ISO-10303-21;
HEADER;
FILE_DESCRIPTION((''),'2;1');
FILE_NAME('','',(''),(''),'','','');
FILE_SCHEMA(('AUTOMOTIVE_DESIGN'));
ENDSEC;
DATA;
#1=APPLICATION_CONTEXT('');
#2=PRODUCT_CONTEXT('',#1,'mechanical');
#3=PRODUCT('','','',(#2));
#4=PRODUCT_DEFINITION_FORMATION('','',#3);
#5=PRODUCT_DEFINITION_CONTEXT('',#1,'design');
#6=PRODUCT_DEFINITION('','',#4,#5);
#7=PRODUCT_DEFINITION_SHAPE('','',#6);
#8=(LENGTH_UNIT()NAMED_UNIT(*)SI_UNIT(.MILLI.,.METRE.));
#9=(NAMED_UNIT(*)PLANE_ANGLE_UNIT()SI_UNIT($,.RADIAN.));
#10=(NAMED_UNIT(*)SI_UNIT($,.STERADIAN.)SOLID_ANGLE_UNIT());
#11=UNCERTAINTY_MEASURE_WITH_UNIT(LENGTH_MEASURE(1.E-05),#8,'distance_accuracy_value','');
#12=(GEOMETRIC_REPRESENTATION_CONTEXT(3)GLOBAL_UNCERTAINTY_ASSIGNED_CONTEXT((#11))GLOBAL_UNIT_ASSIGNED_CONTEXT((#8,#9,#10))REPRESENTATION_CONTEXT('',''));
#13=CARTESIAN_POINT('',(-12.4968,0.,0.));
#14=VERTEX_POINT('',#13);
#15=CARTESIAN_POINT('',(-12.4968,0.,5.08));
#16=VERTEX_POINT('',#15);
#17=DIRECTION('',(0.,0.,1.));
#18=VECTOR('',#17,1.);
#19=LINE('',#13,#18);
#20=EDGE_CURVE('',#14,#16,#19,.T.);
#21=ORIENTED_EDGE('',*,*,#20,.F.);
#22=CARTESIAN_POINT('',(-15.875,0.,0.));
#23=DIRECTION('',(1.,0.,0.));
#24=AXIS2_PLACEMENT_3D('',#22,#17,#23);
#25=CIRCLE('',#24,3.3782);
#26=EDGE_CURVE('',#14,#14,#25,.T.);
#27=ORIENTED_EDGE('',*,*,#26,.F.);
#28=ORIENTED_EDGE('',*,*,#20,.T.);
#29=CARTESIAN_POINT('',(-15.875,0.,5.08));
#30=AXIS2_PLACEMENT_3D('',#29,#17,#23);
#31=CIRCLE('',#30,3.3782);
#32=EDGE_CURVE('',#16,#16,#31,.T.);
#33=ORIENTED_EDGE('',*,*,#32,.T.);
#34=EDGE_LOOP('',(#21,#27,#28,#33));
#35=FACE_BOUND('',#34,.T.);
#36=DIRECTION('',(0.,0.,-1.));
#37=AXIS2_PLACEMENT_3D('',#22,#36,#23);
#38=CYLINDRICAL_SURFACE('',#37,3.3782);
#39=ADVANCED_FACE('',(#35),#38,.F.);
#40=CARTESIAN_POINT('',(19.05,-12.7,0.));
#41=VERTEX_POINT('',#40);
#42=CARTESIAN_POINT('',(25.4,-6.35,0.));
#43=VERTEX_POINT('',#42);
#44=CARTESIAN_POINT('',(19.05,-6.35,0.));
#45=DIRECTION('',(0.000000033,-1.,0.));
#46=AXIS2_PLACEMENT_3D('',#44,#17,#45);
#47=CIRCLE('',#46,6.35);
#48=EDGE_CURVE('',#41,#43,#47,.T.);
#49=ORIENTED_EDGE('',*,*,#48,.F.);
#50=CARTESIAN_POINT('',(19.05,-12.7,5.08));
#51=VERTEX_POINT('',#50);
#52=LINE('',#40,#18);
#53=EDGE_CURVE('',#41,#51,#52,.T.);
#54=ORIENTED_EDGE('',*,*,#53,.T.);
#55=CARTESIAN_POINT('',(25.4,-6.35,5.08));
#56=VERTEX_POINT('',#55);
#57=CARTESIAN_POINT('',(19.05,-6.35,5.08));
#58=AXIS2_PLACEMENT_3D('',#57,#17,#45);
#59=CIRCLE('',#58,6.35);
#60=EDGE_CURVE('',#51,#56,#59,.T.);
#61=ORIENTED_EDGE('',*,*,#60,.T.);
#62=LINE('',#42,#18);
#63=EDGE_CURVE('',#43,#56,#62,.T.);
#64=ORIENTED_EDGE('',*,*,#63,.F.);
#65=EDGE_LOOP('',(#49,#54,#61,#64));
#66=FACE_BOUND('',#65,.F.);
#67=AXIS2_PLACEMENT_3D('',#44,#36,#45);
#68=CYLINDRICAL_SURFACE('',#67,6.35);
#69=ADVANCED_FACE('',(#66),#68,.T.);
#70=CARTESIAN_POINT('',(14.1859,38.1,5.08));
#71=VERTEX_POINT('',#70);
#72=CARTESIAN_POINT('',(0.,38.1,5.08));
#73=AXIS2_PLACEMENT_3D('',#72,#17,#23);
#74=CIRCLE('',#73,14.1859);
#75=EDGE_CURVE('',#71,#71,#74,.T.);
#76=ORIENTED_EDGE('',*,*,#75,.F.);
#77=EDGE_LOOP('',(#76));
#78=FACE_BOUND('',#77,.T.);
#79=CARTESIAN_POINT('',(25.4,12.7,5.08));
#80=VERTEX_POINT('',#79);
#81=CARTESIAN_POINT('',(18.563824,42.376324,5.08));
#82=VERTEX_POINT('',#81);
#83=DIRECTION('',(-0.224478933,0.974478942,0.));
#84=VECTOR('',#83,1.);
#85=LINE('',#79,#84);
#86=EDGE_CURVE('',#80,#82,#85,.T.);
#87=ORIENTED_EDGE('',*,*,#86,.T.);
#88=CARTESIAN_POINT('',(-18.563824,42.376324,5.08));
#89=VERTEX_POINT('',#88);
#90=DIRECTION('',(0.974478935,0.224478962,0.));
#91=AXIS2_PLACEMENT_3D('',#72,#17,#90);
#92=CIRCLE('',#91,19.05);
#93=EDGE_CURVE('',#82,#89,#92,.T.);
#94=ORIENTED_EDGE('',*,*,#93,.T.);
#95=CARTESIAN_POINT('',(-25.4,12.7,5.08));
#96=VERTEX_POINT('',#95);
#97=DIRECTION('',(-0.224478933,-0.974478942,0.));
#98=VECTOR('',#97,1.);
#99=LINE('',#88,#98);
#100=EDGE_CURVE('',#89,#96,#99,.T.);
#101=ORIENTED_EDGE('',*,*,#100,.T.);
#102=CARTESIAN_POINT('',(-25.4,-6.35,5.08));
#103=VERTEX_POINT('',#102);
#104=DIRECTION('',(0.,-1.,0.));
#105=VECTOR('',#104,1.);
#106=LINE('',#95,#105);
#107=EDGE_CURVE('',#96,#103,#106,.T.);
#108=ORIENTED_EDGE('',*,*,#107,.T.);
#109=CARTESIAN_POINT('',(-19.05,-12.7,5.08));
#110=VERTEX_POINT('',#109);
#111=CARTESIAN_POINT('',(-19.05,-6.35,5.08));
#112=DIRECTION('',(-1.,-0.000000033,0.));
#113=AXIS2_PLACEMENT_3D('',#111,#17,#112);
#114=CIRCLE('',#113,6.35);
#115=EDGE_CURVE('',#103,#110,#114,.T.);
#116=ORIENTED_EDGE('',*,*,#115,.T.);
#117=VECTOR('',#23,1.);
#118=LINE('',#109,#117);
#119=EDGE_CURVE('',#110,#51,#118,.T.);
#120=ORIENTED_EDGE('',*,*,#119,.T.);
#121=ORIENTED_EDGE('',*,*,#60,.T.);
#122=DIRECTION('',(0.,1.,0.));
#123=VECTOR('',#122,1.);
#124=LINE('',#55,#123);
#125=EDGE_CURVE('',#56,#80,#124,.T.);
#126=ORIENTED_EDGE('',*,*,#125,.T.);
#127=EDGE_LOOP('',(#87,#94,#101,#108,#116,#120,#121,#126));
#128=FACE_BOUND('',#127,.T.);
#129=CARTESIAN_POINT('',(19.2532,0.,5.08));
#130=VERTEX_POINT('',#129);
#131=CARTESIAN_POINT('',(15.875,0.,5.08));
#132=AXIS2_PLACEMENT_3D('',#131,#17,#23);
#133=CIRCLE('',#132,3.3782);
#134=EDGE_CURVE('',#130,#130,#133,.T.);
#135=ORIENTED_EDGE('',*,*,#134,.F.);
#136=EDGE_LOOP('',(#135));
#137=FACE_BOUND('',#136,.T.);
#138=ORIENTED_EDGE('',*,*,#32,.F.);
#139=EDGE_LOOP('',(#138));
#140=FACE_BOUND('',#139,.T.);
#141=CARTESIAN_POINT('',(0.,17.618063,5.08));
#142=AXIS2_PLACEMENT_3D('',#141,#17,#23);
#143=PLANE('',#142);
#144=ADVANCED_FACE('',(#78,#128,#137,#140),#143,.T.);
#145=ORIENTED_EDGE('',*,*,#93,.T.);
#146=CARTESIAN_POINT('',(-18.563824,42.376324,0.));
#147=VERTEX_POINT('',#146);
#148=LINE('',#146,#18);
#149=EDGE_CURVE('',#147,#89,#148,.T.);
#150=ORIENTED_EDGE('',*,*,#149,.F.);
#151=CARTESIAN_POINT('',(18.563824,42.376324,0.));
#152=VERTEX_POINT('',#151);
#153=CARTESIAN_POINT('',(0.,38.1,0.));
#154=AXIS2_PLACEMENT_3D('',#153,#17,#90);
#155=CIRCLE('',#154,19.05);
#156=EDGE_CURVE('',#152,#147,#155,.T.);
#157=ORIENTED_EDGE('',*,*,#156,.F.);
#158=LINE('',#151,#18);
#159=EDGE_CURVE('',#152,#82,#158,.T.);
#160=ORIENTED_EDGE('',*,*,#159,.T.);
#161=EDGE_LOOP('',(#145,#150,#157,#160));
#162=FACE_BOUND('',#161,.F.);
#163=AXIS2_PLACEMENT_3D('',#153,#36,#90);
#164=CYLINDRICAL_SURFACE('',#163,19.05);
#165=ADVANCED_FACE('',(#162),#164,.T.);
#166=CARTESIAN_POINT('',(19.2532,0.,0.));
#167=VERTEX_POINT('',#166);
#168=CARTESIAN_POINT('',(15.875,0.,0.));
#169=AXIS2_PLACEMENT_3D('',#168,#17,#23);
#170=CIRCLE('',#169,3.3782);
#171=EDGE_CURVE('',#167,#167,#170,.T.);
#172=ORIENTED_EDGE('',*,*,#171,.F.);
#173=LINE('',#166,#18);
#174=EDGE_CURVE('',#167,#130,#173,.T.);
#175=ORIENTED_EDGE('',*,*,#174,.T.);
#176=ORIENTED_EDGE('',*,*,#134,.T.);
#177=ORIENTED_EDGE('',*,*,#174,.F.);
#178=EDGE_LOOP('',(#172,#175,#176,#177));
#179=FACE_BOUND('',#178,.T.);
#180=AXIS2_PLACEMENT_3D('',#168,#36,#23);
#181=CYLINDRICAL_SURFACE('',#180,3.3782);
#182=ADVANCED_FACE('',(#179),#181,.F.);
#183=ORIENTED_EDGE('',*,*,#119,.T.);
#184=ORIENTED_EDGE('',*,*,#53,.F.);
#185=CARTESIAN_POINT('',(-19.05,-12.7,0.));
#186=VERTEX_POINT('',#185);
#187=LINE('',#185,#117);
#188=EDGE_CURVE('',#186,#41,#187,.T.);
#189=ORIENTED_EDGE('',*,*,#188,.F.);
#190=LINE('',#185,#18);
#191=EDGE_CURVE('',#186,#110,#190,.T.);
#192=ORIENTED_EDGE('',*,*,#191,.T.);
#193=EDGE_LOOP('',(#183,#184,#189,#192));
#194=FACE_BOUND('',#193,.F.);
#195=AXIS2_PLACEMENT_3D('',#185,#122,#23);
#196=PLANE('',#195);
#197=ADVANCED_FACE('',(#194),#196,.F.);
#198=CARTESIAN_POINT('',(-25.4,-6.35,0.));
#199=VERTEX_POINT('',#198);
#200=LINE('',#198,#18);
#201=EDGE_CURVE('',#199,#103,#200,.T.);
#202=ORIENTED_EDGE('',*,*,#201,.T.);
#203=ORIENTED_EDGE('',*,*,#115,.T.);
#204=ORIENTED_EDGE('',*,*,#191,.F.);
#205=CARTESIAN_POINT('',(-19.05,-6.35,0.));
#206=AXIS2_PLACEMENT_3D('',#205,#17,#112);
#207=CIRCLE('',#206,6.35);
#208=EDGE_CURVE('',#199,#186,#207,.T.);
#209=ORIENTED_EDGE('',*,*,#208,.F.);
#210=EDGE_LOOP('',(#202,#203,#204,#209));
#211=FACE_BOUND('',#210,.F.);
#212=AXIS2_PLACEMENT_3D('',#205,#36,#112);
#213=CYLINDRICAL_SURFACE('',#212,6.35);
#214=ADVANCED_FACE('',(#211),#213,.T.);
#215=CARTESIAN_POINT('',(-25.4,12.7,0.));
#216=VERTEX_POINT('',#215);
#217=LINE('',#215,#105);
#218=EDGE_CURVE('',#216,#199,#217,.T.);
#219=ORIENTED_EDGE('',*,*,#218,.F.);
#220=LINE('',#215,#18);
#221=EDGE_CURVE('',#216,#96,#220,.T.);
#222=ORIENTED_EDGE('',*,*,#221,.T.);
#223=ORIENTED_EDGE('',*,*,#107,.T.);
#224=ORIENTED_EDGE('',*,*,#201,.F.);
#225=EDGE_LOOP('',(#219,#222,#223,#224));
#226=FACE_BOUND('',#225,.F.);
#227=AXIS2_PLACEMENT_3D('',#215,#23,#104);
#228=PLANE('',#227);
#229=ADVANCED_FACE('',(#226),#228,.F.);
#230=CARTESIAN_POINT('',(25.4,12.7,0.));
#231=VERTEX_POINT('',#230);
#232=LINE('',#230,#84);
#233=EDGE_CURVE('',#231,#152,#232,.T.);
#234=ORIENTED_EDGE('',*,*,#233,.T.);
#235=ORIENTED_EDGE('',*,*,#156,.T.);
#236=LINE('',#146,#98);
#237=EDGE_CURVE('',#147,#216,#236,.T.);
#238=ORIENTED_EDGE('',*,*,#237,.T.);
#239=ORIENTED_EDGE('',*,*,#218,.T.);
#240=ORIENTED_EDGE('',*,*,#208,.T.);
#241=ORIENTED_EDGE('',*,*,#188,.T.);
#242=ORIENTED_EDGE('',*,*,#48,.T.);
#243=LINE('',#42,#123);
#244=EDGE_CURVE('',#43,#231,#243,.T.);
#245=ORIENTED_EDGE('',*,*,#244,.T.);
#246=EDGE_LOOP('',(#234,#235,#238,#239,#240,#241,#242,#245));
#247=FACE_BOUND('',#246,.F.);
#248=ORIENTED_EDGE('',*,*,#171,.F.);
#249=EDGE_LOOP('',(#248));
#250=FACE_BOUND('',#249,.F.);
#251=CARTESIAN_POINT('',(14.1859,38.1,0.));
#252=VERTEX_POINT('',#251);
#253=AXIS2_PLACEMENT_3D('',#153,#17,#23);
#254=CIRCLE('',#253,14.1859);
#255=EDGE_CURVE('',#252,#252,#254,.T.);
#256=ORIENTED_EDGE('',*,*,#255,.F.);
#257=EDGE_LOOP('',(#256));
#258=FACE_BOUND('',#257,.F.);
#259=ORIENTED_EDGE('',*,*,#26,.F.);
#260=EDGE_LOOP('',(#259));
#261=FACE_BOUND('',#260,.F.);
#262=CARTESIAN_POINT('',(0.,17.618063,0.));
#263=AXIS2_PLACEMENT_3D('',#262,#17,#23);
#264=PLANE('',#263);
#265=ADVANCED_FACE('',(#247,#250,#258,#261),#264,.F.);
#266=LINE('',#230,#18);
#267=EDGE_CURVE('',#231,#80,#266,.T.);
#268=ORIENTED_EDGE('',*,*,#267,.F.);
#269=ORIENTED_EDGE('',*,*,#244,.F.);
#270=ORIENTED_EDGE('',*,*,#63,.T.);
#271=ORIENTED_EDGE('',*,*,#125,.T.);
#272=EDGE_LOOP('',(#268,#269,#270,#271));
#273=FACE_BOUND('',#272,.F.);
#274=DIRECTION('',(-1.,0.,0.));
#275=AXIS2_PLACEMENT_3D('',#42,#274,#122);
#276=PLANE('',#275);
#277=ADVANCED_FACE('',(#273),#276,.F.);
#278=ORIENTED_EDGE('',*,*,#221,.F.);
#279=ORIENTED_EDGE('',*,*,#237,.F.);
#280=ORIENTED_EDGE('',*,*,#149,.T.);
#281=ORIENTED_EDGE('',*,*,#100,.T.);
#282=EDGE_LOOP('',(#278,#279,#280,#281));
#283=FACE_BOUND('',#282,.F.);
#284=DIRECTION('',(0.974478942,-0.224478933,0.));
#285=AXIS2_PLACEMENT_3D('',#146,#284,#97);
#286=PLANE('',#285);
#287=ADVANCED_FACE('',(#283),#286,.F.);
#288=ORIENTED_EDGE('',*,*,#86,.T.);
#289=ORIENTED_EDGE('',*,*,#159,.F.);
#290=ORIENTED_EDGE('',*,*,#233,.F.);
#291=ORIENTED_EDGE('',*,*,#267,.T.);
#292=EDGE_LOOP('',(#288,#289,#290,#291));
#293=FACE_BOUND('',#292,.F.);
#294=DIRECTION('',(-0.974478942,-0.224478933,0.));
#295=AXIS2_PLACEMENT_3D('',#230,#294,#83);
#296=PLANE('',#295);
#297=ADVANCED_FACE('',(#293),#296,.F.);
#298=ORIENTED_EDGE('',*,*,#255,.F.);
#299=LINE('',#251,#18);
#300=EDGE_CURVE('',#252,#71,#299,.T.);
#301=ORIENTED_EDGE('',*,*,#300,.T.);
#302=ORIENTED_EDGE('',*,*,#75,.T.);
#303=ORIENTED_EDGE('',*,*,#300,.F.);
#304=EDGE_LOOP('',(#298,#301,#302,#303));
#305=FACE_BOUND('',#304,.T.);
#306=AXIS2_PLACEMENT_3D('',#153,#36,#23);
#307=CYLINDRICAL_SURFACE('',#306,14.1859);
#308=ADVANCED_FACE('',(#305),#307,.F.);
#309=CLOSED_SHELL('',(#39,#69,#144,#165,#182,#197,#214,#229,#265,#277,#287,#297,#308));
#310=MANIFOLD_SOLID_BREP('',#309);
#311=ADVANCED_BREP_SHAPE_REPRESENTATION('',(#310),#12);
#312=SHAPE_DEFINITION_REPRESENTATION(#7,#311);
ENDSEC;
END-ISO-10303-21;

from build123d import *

# Parameters (mm, degrees)
F0_R     = 3.3782
F0_R_2   = 14.1859
F1_DEPTH = 5.08


with BuildPart() as f1:
    # F0 (on Top) → F1 (new body)
    with BuildSketch(Plane.XY):
        with BuildLine():
            Line((-19.05, -12.7), (19.05, -12.7))
            ThreePointArc((19.05, -12.7), (23.540128, -10.840128), (25.4, -6.35))
            Line((25.4, -6.35), (25.4, 12.7))
            Line((25.4, 12.7), (18.563824, 42.376324))
            ThreePointArc((18.563824, 42.376324), (0, 57.15), (-18.563824, 42.376324))
            Line((-18.563824, 42.376324), (-25.4, 12.7))
            Line((-25.4, 12.7), (-25.4, -6.35))
            ThreePointArc((-25.4, -6.35), (-23.540128, -10.840128), (-19.05, -12.7))
        make_face()
        with Locations((-15.875, 0)):
            Circle(F0_R, mode=Mode.SUBTRACT)
        with Locations((15.875, 0)):
            Circle(F0_R, mode=Mode.SUBTRACT)
        with Locations((0, 38.1)):
            Circle(F0_R_2, mode=Mode.SUBTRACT)
    extrude(amount=F1_DEPTH)


solid = f1.part
